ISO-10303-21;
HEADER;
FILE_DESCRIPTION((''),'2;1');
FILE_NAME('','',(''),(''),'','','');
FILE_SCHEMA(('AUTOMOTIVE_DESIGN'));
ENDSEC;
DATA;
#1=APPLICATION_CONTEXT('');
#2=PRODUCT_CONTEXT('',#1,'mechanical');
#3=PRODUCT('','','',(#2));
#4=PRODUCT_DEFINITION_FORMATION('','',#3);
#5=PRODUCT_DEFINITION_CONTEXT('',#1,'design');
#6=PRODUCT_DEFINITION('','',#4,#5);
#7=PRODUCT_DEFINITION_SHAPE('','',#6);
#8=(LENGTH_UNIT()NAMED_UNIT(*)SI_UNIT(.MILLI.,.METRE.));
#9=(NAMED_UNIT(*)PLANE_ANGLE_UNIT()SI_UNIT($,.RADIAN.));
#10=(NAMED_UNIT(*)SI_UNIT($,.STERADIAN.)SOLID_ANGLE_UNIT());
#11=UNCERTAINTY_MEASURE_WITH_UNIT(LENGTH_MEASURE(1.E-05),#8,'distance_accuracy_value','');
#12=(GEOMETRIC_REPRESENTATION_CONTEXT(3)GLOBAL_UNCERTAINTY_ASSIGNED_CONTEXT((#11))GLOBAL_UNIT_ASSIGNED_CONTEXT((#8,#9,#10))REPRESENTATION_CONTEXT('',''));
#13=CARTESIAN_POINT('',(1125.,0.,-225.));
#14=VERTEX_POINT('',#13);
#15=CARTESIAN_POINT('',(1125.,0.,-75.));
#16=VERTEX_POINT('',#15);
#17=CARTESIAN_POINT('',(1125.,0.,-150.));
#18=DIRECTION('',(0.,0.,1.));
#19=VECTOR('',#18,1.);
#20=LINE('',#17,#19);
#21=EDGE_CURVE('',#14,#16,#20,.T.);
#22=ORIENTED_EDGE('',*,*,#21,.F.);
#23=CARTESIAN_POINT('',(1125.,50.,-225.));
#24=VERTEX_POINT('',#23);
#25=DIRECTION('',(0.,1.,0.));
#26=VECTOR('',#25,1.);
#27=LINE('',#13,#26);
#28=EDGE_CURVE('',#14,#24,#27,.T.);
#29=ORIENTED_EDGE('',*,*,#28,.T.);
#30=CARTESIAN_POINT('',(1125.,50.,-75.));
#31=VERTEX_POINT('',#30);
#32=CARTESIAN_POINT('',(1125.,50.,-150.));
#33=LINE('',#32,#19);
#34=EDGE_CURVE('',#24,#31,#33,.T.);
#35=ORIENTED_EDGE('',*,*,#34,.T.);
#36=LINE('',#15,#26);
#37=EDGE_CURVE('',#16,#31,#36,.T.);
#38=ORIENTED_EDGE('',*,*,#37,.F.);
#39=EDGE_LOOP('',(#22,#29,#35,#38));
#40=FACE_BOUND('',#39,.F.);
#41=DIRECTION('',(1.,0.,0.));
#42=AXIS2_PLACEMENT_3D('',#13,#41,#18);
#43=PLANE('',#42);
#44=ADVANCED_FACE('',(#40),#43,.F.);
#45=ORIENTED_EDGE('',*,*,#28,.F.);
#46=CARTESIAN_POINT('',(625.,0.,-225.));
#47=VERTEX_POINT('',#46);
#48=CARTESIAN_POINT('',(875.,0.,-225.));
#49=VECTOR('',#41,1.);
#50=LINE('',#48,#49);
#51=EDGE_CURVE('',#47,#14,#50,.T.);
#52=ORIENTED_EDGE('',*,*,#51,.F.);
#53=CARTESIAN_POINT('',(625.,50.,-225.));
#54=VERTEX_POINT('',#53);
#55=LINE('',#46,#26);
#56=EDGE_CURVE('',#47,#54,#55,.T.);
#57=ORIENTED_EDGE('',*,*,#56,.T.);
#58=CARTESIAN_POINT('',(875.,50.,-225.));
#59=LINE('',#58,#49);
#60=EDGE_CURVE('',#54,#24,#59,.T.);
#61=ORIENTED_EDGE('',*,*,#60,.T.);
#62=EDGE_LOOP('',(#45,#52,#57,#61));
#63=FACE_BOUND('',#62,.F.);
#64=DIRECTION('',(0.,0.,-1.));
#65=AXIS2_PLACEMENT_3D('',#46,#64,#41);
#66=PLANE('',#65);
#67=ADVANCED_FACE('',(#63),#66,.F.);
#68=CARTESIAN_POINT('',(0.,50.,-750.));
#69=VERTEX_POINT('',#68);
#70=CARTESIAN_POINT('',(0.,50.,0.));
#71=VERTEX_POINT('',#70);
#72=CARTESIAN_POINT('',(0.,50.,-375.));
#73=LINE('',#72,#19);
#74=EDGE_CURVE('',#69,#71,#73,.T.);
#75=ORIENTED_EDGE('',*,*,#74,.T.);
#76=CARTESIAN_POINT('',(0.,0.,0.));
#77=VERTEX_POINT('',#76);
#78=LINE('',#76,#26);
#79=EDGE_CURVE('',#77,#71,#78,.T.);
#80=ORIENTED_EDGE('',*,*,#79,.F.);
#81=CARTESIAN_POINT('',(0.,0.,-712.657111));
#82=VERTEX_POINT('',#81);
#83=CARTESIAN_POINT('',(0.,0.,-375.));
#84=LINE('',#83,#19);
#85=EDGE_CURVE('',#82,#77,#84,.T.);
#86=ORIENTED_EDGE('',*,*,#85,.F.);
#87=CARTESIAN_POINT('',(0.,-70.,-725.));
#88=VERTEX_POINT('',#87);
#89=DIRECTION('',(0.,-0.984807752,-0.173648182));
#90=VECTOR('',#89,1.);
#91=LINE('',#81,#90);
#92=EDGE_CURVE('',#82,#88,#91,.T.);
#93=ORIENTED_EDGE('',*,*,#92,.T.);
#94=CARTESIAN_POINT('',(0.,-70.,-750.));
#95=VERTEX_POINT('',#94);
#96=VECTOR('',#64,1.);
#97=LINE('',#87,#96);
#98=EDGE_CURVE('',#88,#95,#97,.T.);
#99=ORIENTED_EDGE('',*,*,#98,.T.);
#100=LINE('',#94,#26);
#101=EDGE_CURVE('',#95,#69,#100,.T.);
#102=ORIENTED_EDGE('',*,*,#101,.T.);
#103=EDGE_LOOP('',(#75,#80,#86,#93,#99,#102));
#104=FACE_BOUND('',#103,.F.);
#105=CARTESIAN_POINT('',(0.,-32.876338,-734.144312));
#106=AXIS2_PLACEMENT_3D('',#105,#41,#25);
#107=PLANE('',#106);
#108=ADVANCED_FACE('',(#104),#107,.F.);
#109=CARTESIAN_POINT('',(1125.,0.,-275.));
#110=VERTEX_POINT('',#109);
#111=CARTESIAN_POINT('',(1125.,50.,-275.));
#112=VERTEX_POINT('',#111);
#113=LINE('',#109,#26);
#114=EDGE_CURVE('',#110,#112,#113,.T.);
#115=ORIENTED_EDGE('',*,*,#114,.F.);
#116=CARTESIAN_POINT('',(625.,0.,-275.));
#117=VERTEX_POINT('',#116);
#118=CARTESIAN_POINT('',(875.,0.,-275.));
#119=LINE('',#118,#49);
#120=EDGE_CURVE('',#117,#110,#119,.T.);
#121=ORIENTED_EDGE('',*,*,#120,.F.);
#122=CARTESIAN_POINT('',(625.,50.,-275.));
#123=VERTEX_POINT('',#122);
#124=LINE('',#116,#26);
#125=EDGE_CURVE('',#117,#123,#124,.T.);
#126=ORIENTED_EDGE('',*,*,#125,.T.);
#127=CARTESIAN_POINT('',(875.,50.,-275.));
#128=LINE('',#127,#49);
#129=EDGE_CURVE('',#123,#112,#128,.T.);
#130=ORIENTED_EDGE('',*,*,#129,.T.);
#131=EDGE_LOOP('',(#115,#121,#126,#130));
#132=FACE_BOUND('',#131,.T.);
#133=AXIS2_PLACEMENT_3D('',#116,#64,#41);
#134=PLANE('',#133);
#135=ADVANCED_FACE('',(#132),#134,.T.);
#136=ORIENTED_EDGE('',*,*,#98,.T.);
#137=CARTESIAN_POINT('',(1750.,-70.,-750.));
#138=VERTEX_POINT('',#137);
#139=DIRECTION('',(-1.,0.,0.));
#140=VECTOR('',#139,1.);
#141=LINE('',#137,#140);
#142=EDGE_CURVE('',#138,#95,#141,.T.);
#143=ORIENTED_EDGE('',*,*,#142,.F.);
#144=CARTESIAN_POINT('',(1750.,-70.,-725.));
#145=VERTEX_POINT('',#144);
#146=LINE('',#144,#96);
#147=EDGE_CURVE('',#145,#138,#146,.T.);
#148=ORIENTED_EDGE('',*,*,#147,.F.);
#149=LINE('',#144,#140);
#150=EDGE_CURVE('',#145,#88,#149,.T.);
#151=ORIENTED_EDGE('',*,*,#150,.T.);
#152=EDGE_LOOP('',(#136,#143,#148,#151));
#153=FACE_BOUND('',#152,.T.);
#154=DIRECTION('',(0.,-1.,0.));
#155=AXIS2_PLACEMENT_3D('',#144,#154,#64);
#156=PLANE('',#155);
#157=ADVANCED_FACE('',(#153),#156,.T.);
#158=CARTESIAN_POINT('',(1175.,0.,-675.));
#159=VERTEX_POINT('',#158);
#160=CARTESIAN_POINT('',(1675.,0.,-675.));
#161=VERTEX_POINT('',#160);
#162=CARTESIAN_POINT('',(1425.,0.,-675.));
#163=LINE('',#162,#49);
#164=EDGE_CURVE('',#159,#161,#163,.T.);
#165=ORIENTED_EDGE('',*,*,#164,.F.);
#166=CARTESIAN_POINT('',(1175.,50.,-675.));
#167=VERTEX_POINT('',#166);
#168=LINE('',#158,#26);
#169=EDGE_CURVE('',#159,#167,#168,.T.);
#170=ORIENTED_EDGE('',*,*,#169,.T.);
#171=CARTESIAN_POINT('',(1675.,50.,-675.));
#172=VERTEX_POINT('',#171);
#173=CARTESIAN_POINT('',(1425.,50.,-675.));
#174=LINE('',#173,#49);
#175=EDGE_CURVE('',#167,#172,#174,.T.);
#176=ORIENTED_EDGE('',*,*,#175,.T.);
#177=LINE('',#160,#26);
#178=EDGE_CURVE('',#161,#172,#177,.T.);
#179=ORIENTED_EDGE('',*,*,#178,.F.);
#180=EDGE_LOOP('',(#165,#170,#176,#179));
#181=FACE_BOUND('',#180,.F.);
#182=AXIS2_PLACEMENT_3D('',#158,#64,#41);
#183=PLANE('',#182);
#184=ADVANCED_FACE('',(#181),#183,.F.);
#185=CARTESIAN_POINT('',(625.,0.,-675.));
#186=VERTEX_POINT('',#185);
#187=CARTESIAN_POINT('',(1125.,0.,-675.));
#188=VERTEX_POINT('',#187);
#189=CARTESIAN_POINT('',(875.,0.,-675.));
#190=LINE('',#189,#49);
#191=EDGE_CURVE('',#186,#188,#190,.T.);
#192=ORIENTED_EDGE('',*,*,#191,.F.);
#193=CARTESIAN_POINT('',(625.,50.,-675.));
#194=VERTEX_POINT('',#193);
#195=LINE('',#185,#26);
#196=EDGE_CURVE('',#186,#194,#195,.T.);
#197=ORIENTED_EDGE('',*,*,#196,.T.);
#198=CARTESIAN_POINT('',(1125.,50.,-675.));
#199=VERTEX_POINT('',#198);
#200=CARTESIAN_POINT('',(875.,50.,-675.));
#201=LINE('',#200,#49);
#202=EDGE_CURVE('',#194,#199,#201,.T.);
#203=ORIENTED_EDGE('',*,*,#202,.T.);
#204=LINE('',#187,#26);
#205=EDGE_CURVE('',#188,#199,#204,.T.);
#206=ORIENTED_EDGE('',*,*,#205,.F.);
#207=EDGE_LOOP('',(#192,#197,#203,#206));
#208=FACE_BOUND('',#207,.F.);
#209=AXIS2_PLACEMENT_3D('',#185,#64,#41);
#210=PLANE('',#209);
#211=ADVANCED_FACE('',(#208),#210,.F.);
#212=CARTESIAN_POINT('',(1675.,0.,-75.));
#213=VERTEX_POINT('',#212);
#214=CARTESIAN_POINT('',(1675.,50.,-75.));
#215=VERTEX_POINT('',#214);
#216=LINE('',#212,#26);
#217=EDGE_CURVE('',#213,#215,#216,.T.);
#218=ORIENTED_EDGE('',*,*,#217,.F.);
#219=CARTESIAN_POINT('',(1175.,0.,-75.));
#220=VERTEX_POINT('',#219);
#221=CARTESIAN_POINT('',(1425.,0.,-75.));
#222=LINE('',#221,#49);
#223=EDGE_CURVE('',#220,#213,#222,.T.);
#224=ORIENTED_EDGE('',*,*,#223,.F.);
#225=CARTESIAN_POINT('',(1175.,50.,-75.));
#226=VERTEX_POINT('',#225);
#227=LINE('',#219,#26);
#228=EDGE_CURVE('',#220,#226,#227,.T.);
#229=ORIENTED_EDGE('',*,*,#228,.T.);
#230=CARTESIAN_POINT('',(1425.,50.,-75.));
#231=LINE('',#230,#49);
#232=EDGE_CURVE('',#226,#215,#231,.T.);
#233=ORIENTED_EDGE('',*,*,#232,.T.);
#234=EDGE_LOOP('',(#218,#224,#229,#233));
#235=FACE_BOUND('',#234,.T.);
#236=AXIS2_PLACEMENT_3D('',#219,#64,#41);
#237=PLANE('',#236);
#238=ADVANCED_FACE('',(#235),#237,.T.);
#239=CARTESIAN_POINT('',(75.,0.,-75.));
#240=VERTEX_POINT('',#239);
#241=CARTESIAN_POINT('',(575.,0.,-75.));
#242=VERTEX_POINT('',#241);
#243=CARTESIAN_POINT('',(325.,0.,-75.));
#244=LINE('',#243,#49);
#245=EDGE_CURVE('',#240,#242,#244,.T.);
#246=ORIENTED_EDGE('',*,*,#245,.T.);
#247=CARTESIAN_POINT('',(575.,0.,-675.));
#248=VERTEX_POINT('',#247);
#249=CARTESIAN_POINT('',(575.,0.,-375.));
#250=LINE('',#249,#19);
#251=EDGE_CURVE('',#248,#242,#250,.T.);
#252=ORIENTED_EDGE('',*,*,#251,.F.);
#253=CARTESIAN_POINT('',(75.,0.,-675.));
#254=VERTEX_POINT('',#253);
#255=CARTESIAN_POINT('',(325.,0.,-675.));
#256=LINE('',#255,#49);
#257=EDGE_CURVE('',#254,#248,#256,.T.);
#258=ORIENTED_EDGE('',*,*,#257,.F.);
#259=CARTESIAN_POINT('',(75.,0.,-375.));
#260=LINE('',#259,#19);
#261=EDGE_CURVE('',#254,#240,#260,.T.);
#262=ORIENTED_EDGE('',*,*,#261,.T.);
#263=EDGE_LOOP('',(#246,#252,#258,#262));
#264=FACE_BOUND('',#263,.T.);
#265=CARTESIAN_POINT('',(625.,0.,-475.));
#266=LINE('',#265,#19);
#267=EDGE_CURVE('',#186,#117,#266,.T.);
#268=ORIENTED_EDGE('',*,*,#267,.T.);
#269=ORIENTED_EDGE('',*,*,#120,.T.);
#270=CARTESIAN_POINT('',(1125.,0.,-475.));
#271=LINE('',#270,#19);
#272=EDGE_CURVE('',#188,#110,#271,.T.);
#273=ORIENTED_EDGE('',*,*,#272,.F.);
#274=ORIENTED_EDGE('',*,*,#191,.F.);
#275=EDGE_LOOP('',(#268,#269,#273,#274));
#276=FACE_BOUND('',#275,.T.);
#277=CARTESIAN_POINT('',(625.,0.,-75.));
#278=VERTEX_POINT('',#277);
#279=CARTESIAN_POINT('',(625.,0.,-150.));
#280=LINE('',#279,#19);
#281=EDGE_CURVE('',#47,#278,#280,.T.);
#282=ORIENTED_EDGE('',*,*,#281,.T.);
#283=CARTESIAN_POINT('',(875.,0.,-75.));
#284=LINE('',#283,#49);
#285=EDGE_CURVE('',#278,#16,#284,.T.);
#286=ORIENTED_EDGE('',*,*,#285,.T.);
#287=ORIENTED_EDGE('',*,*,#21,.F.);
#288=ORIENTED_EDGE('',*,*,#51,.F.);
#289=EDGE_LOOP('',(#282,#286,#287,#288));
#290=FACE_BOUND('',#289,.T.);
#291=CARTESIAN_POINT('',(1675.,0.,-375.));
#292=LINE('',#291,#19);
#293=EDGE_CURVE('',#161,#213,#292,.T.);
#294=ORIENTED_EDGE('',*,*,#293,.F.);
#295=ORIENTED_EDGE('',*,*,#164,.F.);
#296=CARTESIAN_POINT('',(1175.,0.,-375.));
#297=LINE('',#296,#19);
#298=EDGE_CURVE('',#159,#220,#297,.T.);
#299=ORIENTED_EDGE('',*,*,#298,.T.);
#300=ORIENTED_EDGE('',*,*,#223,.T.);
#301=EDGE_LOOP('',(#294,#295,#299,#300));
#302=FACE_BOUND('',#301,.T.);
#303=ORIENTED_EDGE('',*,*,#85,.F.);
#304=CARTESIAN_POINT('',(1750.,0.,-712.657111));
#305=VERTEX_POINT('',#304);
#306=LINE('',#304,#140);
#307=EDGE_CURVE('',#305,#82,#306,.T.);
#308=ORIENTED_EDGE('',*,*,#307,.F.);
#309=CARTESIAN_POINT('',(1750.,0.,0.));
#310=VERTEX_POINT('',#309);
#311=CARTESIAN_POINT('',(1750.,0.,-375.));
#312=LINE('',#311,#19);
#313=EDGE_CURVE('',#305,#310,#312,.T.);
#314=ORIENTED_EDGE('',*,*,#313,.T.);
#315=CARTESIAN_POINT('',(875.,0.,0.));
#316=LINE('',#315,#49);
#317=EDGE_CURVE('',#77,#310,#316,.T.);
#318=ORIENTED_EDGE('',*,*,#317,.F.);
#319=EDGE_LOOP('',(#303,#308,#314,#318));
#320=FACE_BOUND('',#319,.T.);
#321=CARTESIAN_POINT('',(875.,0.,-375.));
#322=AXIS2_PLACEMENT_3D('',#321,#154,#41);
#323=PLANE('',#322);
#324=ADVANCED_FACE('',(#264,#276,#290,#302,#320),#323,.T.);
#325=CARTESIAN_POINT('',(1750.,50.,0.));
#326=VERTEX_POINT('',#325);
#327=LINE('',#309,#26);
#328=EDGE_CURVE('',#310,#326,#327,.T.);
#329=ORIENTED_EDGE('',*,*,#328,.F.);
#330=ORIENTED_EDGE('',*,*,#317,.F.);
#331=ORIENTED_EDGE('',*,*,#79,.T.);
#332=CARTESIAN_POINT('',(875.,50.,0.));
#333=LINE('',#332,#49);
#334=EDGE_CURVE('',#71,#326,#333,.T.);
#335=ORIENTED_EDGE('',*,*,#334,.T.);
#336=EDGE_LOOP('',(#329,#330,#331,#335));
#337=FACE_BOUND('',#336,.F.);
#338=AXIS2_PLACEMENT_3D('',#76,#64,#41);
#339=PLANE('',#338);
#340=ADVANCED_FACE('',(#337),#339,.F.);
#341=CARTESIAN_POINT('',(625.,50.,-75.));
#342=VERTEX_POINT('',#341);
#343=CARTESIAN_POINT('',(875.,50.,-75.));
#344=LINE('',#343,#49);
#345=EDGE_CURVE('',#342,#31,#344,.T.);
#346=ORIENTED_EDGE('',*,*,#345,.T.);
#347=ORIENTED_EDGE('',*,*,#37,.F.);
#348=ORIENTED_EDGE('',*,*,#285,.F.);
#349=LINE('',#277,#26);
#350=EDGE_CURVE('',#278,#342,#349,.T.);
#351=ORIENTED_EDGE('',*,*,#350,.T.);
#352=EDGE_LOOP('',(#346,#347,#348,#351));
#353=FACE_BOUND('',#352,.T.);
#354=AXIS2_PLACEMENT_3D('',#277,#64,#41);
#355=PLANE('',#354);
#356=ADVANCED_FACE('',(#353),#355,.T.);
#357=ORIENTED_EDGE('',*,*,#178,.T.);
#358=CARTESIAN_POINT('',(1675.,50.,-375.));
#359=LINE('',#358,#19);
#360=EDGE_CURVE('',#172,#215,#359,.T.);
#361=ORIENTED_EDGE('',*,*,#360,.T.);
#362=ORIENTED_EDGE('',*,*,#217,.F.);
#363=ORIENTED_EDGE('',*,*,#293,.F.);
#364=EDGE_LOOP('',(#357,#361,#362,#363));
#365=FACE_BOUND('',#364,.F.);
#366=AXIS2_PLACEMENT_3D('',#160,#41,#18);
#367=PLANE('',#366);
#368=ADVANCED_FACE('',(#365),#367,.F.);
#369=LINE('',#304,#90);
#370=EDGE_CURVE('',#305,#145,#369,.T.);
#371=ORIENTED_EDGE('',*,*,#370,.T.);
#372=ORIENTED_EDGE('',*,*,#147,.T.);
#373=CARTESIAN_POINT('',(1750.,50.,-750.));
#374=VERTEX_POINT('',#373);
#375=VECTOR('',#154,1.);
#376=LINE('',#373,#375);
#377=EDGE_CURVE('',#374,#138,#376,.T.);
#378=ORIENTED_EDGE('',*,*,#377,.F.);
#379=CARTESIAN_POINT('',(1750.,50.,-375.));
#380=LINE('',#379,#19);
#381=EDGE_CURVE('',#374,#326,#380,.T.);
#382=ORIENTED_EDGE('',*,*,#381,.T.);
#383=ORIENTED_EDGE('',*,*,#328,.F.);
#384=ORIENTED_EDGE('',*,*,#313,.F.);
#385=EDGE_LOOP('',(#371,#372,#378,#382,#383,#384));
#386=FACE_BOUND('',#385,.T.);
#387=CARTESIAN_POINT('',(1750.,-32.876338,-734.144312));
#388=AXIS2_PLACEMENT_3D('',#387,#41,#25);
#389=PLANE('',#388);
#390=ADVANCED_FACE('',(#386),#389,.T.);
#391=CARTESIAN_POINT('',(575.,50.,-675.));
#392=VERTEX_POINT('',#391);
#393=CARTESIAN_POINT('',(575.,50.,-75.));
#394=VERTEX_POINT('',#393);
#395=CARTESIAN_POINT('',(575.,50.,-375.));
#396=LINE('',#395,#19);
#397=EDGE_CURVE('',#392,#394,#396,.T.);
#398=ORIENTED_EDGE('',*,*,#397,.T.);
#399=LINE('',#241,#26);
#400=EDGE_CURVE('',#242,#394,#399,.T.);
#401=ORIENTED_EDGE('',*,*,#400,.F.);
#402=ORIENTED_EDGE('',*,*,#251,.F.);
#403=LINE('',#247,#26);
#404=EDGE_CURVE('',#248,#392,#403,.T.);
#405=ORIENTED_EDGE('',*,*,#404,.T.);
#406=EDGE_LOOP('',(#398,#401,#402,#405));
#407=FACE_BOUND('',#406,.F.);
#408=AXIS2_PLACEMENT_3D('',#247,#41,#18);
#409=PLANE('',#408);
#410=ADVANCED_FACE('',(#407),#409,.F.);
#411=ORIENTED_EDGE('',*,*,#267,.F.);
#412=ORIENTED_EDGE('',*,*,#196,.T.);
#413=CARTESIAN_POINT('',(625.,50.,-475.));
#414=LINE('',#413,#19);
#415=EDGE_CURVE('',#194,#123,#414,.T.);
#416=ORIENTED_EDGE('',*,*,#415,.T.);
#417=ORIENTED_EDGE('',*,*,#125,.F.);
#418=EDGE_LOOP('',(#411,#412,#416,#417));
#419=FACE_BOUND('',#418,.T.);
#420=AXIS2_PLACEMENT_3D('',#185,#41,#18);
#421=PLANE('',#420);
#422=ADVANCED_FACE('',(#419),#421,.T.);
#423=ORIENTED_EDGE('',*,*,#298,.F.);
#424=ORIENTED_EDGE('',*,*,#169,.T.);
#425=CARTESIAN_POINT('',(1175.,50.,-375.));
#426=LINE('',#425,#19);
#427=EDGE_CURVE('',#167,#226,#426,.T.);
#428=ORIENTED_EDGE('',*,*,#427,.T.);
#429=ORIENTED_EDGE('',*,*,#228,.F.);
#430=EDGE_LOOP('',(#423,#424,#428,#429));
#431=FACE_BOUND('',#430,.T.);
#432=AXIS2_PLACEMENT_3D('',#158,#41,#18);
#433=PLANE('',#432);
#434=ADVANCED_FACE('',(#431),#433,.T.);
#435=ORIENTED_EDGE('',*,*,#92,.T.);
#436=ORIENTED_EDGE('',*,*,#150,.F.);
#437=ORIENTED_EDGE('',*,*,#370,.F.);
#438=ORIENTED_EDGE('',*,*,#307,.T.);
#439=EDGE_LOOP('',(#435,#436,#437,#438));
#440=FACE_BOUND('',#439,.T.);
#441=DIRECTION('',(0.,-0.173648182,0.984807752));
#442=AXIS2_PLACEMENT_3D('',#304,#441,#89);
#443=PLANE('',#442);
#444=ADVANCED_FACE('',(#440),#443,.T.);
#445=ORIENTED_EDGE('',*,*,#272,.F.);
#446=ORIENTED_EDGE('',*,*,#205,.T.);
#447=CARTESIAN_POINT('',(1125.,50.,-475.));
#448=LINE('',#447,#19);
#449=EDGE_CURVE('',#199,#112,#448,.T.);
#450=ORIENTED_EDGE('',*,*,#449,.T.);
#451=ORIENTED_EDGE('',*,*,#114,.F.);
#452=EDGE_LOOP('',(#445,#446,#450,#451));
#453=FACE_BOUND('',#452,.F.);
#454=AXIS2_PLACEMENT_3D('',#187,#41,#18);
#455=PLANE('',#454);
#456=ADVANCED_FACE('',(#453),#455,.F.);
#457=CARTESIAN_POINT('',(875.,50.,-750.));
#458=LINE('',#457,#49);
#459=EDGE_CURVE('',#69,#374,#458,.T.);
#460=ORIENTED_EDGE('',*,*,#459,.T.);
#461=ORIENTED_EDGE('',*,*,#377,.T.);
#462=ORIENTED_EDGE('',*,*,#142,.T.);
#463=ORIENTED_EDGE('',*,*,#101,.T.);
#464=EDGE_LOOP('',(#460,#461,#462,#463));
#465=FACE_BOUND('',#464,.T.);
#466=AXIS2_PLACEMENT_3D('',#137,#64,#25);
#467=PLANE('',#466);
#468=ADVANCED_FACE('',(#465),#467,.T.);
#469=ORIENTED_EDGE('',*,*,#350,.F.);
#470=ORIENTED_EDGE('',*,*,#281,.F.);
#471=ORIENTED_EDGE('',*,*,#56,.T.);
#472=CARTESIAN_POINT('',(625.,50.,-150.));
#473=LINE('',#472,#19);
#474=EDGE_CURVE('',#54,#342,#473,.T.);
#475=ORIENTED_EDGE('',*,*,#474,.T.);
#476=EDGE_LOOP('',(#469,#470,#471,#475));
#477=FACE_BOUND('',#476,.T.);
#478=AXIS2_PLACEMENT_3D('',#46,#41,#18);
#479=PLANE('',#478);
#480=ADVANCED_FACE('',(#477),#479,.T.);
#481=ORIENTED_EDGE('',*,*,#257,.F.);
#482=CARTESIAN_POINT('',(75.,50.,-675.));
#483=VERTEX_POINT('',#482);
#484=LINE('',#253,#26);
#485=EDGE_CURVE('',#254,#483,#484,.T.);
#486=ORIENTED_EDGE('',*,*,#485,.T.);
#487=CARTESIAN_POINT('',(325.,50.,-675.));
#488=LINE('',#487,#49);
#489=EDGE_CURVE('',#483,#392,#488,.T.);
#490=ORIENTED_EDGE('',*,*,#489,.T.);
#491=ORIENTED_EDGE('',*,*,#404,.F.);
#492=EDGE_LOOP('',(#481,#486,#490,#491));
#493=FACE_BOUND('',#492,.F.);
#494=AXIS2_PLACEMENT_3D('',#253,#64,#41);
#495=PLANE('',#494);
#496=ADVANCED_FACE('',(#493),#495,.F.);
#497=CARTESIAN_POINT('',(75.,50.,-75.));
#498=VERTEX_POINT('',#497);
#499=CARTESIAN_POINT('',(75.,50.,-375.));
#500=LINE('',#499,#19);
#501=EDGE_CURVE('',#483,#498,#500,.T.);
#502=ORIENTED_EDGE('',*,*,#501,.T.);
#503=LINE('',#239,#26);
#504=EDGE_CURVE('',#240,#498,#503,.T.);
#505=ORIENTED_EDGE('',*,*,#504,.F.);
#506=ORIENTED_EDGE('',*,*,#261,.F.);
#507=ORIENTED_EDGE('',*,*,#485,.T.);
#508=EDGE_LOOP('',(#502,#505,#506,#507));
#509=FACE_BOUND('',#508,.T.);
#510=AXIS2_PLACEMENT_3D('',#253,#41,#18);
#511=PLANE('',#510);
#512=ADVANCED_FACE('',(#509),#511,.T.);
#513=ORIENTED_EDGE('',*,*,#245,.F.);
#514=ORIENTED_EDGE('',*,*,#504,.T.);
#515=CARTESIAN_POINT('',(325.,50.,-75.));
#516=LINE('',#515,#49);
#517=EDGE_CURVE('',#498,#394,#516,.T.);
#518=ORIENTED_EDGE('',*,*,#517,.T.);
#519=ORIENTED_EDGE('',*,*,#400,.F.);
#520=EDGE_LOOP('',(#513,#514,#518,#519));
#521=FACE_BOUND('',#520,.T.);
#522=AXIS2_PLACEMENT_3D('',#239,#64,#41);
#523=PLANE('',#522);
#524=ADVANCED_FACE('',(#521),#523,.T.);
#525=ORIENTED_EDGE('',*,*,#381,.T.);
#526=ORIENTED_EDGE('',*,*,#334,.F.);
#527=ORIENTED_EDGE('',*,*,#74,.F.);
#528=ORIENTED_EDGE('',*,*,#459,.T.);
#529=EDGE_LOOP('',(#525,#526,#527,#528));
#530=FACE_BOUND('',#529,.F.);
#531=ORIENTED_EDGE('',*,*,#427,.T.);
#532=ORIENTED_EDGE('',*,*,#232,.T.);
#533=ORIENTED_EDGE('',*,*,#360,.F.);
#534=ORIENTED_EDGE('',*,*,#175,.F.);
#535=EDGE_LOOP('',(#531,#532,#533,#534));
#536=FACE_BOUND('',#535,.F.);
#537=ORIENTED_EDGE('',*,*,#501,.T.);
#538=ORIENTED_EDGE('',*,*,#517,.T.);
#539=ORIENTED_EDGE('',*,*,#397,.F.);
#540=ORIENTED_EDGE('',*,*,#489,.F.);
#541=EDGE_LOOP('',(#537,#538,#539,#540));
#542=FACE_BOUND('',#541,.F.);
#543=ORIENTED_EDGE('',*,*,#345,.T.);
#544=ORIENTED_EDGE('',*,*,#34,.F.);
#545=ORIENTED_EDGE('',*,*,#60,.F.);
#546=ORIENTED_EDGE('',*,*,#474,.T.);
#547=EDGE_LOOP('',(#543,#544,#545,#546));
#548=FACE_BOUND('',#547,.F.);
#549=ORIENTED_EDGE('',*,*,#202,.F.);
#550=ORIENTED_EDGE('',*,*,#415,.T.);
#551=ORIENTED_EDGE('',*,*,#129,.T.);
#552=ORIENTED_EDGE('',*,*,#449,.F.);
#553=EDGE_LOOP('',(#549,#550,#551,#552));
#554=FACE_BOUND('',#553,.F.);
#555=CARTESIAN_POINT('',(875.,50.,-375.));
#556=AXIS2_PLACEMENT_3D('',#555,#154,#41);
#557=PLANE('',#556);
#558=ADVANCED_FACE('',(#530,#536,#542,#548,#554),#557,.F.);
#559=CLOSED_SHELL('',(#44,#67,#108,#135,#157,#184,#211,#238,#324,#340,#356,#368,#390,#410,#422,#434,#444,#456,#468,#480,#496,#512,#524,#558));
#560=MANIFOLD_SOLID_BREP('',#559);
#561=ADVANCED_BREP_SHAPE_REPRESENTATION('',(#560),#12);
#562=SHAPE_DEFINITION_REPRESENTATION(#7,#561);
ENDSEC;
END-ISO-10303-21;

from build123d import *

# Parameters (mm, degrees)
F0_W     = 1750
F0_H     = 750
F0_W_2   = 500
F0_H_2   = 400
F0_H_3   = 600
F0_H_4   = 150
F1_DEPTH = 50
F3_DEPTH = 1750


with BuildPart() as f1:
    # F0 (on Front) → F1 (new body)
    with BuildSketch(Plane.XZ):
        with Locations((875, -375)):
            Rectangle(F0_W, F0_H)
        with Locations((875, -475)):
            Rectangle(F0_W_2, F0_H_2, mode=Mode.SUBTRACT)
        with Locations((325, -375)):
            Rectangle(F0_W_2, F0_H_3, mode=Mode.SUBTRACT)
        with Locations((1425, -375)):
            Rectangle(F0_W_2, F0_H_3, mode=Mode.SUBTRACT)
        with Locations((875, -150)):
            Rectangle(F0_W_2, F0_H_4, mode=Mode.SUBTRACT)
    extrude(amount=-F1_DEPTH)

    # F2 (on face) → F3 (join)
    with BuildSketch(Plane.YZ.offset(1750)):
        Polygon((-70, -750), (0, -750), (0, -712.657111), (-70, -725), align=None)
    extrude(amount=-F3_DEPTH)


solid = f1.part
